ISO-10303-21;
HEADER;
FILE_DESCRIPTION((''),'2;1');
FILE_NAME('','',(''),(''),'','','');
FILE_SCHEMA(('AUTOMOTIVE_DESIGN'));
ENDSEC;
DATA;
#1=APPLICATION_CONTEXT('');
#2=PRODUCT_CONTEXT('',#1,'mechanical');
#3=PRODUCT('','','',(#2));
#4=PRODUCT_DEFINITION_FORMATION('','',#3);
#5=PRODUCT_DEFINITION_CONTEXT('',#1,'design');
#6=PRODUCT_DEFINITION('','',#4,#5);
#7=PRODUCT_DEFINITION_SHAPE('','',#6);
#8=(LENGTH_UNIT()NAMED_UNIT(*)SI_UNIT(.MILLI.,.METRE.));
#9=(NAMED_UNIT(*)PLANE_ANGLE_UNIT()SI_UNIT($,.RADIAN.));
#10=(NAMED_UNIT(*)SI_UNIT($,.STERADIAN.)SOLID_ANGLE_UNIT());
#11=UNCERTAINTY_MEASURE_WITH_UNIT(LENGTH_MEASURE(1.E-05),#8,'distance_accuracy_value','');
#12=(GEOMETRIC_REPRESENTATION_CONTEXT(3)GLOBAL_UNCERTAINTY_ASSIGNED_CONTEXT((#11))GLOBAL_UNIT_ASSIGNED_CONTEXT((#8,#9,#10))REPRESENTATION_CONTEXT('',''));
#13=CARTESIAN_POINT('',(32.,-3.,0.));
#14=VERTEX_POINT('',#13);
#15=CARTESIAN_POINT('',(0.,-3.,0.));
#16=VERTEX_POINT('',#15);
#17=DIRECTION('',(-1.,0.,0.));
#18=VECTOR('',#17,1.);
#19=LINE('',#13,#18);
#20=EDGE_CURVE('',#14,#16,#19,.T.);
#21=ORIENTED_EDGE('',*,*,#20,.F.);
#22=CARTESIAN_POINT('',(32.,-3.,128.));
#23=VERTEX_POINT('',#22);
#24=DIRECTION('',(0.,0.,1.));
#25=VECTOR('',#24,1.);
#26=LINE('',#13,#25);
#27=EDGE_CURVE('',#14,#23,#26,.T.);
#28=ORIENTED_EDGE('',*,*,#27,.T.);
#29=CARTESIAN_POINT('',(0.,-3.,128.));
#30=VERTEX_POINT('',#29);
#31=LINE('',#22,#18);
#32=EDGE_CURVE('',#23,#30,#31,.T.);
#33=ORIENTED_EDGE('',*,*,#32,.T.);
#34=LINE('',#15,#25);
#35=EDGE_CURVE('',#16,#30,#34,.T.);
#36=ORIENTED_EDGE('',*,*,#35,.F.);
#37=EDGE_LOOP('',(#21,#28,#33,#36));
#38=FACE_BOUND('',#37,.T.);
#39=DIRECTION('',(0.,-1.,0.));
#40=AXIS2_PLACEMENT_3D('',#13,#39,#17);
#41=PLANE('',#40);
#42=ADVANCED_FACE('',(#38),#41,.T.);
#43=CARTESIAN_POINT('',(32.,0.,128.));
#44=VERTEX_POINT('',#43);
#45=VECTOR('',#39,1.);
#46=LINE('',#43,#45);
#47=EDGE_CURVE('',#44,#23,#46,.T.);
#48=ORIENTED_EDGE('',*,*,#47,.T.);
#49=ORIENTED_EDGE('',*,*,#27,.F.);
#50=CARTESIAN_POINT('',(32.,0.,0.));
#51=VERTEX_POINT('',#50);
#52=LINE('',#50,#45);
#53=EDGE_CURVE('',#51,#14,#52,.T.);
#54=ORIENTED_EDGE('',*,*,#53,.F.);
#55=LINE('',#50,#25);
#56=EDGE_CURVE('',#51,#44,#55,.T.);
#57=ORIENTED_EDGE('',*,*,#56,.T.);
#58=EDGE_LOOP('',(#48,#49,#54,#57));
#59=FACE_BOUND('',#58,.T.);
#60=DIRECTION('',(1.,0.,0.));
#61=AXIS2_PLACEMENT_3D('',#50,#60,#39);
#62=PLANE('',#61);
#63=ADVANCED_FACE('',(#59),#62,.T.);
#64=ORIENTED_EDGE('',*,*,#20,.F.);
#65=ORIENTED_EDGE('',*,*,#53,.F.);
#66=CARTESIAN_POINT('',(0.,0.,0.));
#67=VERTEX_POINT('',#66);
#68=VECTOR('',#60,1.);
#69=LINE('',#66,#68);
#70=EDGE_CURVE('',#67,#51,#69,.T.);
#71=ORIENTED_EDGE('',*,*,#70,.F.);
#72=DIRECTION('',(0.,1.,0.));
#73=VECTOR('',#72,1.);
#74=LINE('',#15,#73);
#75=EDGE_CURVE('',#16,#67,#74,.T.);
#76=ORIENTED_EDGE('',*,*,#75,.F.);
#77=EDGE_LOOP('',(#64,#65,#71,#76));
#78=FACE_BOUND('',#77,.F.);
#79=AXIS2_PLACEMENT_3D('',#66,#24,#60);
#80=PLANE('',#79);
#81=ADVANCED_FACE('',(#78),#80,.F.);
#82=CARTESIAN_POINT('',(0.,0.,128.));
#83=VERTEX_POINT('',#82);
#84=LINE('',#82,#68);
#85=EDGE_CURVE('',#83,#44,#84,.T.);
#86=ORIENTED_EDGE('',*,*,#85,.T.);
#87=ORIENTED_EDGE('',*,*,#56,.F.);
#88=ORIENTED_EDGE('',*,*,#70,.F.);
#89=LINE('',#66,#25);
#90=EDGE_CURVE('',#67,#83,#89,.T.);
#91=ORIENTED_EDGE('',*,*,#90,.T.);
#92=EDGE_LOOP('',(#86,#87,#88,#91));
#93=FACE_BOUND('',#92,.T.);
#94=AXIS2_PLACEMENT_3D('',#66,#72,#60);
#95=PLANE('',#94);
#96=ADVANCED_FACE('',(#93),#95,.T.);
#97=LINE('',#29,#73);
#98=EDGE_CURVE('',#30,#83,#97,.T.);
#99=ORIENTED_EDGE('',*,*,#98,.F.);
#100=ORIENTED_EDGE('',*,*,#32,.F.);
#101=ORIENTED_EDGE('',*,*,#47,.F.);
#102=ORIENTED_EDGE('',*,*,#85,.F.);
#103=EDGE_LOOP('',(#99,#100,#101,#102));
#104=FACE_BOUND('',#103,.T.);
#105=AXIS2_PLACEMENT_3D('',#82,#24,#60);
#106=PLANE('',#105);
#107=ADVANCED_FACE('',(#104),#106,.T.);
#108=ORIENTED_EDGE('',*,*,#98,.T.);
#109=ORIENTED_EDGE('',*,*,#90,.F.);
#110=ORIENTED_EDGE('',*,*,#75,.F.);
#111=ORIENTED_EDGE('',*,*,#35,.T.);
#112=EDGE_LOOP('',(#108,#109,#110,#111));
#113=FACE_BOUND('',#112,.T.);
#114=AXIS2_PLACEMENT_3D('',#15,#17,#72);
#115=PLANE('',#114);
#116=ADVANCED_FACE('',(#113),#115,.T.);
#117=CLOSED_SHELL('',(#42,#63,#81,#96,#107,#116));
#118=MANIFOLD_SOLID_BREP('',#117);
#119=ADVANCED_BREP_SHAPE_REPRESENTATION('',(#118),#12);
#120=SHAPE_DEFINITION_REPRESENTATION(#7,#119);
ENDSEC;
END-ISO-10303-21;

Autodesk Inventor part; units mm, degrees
ref_plane "YZ Plane" through (0, 0, 0) normal (1, 0, 0) x (0, 1, 0)
ref_plane "XZ Plane" through (0, 0, 0) normal (0, 1, 0) x (-1, 0, 0)
ref_plane "XY Plane" through (0, 0, 0) normal (0, 0, 1) x (1, 0, 0)
sketch "스케치1" plane through (0, 0, 0) normal (0, 0, 1) x (1, 0, 0)
  line L0 (0, 0) -> (32, 0)
  line L1 (32, 0) -> (32, -3)
  line L2 (32, -3) -> (0, -3)
  line L3 (0, -3) -> (0, 0)
  dimension "d0" = 32
  dimension "d1" = 3
extrude "돌출1" add sketch "스케치1" along normal blind 128
properties part number "dot matrix cover" material "유리, 젖빛"
